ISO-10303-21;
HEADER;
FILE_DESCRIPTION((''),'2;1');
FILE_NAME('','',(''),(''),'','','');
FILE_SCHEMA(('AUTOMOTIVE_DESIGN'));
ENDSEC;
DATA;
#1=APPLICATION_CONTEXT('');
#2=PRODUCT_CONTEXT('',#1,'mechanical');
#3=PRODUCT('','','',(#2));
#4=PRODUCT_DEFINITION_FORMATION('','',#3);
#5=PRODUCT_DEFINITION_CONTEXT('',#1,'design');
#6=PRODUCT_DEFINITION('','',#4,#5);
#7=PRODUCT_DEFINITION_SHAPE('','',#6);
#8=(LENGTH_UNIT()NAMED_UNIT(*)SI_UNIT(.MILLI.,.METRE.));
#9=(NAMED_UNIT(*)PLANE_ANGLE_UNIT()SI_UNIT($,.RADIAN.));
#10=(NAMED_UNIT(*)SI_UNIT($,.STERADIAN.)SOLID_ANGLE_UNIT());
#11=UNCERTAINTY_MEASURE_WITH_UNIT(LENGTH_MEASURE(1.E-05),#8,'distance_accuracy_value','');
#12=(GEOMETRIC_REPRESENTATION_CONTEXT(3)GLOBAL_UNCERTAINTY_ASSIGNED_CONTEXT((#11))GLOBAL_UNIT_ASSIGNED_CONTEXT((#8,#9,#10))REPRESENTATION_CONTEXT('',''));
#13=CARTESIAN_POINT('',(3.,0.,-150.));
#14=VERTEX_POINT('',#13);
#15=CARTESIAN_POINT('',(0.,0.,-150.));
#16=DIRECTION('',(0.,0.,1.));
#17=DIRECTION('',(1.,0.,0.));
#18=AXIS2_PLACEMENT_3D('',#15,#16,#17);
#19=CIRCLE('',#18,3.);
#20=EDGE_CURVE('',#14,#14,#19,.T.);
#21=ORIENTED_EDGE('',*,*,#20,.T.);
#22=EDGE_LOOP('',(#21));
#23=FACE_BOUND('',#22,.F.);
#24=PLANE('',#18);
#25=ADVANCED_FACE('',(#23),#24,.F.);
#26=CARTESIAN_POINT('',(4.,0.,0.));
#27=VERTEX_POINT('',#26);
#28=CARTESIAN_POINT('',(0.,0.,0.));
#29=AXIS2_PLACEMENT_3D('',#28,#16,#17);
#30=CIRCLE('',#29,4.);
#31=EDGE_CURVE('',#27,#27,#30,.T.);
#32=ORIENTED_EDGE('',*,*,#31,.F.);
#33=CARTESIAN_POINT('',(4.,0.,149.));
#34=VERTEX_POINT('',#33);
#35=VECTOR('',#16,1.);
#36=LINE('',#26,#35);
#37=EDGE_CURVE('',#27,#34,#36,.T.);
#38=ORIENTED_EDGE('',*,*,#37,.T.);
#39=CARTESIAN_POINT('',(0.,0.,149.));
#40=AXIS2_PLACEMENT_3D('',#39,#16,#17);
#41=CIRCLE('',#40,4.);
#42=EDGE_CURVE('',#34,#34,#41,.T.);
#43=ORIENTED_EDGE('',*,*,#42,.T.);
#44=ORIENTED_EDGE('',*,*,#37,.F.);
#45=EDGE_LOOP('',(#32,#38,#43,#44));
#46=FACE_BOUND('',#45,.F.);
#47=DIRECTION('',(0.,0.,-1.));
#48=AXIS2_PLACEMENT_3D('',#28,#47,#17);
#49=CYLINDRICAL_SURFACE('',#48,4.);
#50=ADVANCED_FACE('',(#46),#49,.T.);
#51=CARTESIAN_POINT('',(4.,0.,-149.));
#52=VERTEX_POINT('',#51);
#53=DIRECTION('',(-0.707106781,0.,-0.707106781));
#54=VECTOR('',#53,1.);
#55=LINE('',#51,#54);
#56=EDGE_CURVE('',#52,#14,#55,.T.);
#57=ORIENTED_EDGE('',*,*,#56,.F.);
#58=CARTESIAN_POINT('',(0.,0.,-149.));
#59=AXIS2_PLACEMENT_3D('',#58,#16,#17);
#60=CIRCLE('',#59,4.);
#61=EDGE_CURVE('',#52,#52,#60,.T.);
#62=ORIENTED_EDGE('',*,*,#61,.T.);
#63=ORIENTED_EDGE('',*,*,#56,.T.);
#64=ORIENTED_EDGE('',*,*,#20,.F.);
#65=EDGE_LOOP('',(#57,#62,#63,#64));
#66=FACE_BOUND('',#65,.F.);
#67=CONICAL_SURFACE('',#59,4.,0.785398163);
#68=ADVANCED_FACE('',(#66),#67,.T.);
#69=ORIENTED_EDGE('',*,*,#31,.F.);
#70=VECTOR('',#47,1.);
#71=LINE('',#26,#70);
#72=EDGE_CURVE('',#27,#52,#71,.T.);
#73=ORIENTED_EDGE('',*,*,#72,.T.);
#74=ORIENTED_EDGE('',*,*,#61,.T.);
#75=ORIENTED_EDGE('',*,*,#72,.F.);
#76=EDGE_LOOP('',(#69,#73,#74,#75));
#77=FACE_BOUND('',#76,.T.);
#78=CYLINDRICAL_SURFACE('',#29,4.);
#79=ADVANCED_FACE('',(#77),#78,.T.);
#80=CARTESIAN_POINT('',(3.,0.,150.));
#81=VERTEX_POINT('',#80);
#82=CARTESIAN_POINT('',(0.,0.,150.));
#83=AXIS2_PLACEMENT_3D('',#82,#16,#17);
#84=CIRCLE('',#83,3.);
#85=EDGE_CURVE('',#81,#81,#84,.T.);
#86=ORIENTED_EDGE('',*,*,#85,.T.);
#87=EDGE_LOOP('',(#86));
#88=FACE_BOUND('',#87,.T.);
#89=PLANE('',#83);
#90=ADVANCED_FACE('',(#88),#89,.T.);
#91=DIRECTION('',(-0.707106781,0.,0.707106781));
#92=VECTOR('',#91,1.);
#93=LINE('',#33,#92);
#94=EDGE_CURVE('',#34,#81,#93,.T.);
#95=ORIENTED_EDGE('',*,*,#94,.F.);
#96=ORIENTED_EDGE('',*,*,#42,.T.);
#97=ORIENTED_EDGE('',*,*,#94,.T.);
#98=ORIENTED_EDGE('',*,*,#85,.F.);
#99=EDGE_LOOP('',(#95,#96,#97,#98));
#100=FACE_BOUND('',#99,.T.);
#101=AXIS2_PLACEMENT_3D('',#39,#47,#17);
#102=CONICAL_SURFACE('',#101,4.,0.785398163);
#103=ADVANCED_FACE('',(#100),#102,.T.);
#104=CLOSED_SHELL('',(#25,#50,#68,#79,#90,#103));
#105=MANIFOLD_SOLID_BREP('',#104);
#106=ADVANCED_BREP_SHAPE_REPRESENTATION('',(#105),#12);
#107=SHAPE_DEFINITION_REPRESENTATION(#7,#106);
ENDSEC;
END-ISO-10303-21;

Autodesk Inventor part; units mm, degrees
ref_plane "YZ Plane" through (0, 0, 0) normal (1, 0, 0) x (0, 1, 0)
ref_plane "XZ Plane" through (0, 0, 0) normal (0, 1, 0) x (-1, 0, 0)
ref_plane "XY Plane" through (0, 0, 0) normal (0, 0, 1) x (1, 0, 0)
sketch "スケッチ1" plane through (0, 0, 0) normal (0, 0, 1) x (1, 0, 0)
  circle A0 centre (0, 0) radius 4
  dimension "d0" = 8
extrude "押し出し1" add sketch "スケッチ1" along normal mid plane 300
thread "ねじ1" size "M8x1.25" class "6g" standard "ANSI Metric M Profile" full length
chamfer "面取り1" distance 1 angle 45 2 edges at (-4, 0, 150) (-4, 0, -150)
properties part number "lead_screw" material "鋼、炭素鋼"
